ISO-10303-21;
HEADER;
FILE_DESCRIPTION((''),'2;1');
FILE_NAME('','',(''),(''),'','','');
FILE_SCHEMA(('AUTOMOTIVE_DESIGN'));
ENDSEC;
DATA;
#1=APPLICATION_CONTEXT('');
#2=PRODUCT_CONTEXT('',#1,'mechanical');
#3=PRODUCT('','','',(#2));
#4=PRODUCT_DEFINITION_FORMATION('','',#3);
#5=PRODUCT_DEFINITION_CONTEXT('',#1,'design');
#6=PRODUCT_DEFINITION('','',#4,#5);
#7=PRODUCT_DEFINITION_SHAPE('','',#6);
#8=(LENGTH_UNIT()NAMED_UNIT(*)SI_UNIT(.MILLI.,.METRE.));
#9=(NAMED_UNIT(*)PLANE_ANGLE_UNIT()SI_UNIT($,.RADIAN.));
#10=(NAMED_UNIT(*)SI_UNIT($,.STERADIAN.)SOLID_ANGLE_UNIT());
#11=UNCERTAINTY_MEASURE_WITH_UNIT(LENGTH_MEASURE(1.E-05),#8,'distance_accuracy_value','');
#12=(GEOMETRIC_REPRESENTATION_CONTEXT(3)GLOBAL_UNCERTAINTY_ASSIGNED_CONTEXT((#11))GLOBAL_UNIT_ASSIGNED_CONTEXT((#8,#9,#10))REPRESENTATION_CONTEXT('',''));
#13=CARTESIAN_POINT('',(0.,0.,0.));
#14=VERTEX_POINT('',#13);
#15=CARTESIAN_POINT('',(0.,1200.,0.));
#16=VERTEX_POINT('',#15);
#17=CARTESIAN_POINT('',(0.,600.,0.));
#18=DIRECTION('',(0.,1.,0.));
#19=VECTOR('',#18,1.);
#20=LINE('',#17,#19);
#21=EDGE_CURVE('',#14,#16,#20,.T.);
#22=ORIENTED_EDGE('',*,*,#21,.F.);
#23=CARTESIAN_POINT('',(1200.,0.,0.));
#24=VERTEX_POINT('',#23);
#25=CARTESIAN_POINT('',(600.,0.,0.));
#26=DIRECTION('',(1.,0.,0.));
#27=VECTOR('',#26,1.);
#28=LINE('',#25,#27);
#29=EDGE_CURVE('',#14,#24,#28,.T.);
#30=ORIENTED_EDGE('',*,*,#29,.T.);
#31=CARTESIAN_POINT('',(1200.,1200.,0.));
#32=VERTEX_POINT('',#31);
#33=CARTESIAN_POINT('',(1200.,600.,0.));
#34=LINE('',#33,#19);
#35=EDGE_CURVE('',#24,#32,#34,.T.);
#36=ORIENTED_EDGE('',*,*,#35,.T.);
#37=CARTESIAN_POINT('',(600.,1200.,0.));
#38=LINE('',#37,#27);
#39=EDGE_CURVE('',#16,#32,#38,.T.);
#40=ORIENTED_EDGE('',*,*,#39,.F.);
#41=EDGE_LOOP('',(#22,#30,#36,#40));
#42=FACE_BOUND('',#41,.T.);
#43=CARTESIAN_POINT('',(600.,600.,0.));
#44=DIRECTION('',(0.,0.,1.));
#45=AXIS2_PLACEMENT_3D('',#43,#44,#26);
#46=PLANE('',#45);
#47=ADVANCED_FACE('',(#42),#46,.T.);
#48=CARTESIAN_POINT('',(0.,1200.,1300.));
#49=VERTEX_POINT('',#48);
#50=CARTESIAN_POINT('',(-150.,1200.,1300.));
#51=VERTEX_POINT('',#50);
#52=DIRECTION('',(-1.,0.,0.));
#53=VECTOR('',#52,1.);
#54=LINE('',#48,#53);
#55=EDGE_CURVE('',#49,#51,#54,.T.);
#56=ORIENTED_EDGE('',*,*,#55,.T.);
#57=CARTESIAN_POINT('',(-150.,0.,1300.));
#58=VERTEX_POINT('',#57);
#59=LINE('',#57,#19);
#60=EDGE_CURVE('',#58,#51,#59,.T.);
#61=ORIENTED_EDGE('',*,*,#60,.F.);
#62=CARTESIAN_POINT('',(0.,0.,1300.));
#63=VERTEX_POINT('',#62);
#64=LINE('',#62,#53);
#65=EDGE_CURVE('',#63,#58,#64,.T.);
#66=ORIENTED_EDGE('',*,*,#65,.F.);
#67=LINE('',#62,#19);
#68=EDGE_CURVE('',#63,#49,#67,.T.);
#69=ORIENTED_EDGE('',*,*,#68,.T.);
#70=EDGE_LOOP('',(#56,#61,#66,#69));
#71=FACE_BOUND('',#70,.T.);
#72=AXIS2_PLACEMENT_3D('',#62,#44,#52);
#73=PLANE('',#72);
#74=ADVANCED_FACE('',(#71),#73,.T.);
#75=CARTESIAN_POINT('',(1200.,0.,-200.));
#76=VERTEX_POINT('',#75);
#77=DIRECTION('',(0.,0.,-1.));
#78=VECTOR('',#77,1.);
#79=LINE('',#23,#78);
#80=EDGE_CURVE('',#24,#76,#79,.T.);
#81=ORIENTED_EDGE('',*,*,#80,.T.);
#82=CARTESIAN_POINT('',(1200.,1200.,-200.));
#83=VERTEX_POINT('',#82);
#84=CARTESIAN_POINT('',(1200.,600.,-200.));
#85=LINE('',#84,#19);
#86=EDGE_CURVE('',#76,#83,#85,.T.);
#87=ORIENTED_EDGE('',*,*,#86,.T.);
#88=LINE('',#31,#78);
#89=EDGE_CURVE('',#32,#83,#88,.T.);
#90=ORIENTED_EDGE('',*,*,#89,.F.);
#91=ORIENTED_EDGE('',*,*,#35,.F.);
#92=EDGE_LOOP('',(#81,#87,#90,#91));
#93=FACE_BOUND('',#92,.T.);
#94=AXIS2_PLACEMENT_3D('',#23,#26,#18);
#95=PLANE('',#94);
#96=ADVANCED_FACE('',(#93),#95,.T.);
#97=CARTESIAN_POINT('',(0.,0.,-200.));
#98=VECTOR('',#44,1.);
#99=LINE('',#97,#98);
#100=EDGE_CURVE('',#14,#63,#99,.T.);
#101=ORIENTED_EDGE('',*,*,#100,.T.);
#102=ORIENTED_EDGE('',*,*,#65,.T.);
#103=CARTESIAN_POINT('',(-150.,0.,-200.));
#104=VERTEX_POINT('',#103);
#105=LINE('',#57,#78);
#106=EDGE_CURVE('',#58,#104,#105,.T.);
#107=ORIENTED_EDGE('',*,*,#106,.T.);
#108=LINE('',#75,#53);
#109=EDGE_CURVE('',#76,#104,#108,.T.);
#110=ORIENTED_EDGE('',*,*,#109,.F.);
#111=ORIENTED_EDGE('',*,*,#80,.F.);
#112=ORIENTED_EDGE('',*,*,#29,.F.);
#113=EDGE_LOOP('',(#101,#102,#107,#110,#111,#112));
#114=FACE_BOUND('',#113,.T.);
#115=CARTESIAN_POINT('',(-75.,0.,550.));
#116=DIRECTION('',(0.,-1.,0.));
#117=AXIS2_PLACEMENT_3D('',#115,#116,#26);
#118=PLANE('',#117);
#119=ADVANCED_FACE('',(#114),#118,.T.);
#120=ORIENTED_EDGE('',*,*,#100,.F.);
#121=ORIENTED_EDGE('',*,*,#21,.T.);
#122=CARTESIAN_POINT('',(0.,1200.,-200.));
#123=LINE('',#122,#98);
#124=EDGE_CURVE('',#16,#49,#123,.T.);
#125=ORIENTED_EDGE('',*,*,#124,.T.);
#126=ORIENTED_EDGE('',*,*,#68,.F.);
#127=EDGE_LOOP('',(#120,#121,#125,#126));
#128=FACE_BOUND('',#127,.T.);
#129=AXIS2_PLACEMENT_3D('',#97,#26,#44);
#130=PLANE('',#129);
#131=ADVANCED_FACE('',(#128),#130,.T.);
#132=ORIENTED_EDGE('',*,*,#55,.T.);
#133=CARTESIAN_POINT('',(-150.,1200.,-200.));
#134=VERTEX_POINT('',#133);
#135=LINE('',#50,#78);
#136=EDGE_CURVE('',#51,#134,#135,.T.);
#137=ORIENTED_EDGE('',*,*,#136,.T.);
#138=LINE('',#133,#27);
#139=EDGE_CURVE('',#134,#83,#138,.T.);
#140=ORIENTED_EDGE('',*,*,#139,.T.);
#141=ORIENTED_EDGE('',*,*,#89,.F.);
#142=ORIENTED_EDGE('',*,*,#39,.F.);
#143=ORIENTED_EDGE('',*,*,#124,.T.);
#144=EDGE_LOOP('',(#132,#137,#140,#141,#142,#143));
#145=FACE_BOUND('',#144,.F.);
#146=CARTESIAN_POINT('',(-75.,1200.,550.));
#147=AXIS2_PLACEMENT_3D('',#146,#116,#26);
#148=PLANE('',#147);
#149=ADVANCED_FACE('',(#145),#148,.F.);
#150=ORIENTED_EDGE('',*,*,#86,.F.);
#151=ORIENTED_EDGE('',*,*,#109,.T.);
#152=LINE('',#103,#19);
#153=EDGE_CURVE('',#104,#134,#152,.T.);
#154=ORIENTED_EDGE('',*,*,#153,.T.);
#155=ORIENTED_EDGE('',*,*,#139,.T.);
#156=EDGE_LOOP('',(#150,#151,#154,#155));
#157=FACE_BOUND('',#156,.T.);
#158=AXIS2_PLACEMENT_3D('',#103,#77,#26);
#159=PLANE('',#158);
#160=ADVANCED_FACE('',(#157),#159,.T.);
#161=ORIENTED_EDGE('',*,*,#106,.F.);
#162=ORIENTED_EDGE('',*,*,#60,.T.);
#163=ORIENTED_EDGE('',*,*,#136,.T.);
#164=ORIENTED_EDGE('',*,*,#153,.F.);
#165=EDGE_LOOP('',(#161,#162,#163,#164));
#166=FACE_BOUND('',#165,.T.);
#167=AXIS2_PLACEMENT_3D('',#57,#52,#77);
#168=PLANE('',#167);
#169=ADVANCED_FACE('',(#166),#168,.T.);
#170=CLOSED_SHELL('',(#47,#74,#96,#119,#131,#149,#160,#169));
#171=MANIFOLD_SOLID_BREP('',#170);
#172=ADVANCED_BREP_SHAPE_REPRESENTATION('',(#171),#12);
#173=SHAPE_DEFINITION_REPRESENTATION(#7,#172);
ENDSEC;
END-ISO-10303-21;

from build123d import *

# Parameters (mm, degrees)
F0_W     = 1200
F0_H     = 1200
F1_DEPTH = 200
F3_DEPTH = 1200


with BuildPart() as f1:
    # F0 (on Top) → F1 (new body)
    with BuildSketch(Plane.XY):
        with Locations((600, 600)):
            Rectangle(F0_W, F0_H)
    extrude(amount=-F1_DEPTH)

    # F2 (on face) → F3 (join)
    with BuildSketch(Plane.XZ):
        Polygon((-150, -200), (0, -200), (0, 0), (0, 1300), (-150, 1300), align=None)
    extrude(amount=-F3_DEPTH)


solid = f1.part
